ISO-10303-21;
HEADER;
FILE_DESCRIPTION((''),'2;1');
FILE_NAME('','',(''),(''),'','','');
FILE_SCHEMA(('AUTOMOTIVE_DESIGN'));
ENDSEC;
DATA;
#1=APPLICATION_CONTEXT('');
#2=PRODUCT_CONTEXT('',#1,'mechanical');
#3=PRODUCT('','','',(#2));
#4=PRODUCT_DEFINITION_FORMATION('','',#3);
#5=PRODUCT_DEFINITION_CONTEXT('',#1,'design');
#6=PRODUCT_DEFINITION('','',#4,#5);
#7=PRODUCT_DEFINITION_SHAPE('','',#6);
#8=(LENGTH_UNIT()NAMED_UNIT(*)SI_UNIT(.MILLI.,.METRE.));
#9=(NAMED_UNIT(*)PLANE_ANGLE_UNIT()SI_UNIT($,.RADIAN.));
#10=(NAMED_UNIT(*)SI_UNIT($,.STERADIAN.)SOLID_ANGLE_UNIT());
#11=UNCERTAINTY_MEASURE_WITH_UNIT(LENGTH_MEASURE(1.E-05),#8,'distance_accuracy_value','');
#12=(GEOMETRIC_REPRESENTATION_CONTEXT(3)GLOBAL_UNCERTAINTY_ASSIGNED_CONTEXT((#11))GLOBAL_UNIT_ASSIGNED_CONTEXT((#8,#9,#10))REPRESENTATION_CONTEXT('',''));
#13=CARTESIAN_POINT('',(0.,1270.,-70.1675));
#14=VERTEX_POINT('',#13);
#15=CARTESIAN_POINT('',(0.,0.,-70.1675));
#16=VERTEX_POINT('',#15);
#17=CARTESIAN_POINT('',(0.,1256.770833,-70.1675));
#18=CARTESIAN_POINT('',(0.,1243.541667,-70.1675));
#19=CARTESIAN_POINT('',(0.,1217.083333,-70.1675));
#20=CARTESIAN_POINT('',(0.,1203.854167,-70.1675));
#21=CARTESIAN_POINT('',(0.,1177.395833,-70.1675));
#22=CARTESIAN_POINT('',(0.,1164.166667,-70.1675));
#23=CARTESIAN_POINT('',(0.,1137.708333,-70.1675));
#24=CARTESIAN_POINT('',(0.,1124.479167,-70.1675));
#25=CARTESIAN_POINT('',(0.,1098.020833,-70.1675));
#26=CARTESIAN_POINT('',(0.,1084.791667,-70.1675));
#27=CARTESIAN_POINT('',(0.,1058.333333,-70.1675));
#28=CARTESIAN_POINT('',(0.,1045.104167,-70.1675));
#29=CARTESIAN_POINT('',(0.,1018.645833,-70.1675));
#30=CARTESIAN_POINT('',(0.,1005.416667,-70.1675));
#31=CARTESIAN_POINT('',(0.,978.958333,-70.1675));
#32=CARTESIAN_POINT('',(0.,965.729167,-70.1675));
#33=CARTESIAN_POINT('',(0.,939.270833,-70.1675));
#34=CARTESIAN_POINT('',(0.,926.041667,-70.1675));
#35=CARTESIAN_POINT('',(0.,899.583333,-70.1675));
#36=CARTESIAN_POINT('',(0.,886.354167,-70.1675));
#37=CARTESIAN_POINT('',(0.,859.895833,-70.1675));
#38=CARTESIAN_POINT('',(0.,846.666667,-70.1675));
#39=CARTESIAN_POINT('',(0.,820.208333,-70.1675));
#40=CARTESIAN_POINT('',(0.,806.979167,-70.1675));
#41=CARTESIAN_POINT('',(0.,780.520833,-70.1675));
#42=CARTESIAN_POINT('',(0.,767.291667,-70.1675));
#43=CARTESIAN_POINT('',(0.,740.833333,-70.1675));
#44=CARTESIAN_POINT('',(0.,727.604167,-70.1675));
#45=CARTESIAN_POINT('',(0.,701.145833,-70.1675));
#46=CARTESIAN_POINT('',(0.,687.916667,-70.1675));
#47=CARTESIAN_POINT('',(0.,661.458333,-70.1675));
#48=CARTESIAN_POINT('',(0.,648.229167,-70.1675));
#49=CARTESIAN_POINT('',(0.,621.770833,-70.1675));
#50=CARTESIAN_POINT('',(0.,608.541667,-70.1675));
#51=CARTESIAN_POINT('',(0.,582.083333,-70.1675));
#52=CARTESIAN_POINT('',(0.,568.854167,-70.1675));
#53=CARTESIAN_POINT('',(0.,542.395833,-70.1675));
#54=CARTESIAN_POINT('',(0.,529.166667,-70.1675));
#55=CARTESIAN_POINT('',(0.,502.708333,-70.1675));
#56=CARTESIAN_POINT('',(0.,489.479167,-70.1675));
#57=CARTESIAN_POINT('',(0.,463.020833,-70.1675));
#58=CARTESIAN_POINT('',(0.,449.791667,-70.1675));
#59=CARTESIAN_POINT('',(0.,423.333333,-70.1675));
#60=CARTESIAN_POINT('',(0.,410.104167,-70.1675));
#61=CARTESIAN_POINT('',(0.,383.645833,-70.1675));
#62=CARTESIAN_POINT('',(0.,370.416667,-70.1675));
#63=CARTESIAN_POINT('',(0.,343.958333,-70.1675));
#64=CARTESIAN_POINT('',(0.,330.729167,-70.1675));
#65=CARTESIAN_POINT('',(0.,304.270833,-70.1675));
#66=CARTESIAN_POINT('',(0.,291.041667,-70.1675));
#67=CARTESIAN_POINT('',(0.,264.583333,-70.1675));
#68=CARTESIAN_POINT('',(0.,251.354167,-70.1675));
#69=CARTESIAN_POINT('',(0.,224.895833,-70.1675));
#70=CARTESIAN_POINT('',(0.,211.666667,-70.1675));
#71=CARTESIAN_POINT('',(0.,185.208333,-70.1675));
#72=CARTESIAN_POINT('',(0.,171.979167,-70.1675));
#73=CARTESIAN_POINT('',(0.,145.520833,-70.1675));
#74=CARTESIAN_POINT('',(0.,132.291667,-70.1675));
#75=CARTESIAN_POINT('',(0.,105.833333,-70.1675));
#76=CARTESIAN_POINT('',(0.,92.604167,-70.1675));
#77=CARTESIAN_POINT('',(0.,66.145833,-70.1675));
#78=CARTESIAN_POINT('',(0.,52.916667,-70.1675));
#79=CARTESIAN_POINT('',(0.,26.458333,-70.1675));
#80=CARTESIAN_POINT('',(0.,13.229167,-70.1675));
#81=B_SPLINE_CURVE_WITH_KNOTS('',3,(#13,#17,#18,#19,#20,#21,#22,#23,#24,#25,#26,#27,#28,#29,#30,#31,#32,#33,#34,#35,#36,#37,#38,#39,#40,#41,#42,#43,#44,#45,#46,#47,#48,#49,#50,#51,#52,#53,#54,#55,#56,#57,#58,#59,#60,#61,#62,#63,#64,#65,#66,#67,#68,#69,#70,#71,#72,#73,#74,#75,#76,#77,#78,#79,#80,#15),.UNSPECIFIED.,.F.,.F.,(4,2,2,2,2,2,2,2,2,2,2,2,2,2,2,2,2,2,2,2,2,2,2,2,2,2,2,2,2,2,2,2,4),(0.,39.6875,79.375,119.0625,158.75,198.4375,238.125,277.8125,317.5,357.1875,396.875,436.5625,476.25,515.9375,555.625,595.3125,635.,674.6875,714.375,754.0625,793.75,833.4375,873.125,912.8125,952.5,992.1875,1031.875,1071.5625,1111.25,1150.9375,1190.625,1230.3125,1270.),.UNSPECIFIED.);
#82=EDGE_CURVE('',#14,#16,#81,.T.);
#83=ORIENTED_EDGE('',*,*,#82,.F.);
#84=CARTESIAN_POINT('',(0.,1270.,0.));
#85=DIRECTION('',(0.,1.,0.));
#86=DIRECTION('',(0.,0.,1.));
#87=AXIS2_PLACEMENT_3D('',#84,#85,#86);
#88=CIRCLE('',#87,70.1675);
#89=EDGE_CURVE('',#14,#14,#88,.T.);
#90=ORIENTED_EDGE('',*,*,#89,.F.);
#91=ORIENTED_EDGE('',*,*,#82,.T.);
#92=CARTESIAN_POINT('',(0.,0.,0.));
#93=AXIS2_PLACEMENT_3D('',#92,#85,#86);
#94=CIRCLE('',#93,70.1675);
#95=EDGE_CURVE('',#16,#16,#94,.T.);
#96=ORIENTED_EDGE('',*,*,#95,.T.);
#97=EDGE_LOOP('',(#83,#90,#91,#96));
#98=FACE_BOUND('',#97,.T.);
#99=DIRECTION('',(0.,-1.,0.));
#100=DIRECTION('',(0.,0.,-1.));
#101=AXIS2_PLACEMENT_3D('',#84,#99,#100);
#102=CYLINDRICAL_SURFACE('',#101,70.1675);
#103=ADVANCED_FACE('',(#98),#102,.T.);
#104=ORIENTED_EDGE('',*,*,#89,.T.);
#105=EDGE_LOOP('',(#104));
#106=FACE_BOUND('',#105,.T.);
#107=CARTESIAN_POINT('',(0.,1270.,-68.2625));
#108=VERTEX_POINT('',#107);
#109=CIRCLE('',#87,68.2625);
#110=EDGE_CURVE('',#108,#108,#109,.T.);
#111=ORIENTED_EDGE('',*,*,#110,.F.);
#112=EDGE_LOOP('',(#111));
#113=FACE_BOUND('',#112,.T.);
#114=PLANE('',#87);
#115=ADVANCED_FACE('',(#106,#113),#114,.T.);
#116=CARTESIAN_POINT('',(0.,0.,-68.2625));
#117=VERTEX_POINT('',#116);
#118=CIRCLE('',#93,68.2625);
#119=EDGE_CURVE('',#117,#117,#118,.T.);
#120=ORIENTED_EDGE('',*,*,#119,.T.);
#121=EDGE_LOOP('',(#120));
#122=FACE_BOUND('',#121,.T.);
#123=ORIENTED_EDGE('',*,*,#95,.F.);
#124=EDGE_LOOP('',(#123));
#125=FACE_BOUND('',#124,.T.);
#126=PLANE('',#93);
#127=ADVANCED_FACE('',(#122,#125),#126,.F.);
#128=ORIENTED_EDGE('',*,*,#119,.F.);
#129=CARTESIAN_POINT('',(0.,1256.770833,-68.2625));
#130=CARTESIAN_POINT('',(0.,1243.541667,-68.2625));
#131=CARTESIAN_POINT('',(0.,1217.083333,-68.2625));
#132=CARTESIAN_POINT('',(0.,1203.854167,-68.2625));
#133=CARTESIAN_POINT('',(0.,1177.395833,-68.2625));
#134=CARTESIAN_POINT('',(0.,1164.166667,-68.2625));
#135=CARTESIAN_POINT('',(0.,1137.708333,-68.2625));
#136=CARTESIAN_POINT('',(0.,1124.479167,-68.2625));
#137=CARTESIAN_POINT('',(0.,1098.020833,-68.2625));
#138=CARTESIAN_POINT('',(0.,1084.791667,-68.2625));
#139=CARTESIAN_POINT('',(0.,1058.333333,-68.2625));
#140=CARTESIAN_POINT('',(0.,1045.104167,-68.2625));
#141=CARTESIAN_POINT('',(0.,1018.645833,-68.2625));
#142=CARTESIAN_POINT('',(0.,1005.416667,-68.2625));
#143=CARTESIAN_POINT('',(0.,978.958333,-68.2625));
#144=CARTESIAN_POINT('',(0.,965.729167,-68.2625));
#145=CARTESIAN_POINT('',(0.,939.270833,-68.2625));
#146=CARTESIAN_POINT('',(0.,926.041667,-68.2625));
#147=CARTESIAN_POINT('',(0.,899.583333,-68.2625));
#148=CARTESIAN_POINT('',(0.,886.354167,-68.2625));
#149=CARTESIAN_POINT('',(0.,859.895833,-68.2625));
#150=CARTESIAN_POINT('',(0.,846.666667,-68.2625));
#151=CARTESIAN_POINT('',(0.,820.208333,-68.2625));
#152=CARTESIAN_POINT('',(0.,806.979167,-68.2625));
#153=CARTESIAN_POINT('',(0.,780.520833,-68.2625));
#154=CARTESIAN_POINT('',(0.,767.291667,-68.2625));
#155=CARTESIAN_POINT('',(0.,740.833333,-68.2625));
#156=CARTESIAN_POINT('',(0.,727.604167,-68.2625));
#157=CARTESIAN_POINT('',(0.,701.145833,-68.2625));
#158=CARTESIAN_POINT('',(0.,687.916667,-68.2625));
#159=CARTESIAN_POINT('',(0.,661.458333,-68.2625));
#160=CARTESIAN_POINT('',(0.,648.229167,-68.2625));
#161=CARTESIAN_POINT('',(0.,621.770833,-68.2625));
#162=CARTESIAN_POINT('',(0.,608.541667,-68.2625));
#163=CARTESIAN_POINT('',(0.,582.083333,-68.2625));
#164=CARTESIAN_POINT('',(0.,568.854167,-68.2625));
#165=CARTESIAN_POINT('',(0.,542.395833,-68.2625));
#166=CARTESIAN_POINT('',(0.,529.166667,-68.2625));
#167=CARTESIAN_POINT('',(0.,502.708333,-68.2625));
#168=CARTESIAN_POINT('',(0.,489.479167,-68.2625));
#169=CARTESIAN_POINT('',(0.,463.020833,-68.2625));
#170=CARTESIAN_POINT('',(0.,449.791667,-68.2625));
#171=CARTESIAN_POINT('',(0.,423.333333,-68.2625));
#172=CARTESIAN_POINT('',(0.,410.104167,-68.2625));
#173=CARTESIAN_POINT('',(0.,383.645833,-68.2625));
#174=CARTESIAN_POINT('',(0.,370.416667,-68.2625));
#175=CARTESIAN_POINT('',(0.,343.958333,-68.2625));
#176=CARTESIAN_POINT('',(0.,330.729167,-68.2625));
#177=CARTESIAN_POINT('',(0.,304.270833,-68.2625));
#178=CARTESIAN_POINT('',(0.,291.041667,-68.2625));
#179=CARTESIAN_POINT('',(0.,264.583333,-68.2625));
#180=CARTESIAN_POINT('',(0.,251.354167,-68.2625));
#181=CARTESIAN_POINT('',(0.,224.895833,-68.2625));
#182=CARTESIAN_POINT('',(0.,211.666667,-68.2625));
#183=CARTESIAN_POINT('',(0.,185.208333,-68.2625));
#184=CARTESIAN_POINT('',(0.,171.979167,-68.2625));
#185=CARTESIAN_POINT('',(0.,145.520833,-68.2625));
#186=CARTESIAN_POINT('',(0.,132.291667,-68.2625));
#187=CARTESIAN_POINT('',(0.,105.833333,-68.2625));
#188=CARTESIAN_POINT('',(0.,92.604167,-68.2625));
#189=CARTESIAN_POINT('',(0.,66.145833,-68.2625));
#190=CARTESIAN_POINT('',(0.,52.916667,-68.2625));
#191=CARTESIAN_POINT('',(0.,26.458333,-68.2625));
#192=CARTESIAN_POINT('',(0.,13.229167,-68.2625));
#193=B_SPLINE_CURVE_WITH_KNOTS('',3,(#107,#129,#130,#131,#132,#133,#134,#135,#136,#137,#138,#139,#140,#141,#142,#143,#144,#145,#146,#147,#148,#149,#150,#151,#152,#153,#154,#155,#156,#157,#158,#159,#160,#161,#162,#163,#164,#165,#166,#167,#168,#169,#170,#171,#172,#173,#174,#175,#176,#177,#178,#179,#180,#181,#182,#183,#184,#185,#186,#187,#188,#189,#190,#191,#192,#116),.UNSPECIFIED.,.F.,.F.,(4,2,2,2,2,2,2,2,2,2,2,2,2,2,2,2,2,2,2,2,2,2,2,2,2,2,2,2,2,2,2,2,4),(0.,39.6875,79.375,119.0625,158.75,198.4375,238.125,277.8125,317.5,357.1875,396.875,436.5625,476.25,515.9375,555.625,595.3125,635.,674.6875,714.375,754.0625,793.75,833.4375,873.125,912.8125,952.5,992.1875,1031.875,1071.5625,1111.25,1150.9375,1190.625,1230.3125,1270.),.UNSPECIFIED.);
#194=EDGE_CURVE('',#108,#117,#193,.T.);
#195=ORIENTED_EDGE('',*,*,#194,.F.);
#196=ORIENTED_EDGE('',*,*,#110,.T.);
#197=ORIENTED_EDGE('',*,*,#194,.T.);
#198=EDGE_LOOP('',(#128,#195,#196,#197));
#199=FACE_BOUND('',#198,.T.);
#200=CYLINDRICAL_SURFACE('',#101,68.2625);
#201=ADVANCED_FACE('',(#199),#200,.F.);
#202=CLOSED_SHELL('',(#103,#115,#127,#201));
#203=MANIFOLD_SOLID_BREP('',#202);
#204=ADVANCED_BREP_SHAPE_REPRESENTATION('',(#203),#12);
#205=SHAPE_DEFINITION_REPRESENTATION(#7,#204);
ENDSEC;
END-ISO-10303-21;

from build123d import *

# Parameters (mm, degrees)
SKETCH1_R           = 70.1675
SKETCH1_R_2         = 68.2625
BOSS_EXTRUDE1_DEPTH = 1270


with BuildPart() as part:
    # Sketch1 → Boss-Extrude1 (new body)
    with BuildSketch(Plane(origin=(0, 0, 0), x_dir=(1, 0, 0), z_dir=(0, 1, 0))):
        with Locations(Location((0, 0, 0), (0, 0, 90))):
            Circle(SKETCH1_R)
        with Locations(Location((0, 0, 0), (0, 0, 90))):
            Circle(SKETCH1_R_2, mode=Mode.SUBTRACT)
    extrude(amount=BOSS_EXTRUDE1_DEPTH)


solid = part.part
